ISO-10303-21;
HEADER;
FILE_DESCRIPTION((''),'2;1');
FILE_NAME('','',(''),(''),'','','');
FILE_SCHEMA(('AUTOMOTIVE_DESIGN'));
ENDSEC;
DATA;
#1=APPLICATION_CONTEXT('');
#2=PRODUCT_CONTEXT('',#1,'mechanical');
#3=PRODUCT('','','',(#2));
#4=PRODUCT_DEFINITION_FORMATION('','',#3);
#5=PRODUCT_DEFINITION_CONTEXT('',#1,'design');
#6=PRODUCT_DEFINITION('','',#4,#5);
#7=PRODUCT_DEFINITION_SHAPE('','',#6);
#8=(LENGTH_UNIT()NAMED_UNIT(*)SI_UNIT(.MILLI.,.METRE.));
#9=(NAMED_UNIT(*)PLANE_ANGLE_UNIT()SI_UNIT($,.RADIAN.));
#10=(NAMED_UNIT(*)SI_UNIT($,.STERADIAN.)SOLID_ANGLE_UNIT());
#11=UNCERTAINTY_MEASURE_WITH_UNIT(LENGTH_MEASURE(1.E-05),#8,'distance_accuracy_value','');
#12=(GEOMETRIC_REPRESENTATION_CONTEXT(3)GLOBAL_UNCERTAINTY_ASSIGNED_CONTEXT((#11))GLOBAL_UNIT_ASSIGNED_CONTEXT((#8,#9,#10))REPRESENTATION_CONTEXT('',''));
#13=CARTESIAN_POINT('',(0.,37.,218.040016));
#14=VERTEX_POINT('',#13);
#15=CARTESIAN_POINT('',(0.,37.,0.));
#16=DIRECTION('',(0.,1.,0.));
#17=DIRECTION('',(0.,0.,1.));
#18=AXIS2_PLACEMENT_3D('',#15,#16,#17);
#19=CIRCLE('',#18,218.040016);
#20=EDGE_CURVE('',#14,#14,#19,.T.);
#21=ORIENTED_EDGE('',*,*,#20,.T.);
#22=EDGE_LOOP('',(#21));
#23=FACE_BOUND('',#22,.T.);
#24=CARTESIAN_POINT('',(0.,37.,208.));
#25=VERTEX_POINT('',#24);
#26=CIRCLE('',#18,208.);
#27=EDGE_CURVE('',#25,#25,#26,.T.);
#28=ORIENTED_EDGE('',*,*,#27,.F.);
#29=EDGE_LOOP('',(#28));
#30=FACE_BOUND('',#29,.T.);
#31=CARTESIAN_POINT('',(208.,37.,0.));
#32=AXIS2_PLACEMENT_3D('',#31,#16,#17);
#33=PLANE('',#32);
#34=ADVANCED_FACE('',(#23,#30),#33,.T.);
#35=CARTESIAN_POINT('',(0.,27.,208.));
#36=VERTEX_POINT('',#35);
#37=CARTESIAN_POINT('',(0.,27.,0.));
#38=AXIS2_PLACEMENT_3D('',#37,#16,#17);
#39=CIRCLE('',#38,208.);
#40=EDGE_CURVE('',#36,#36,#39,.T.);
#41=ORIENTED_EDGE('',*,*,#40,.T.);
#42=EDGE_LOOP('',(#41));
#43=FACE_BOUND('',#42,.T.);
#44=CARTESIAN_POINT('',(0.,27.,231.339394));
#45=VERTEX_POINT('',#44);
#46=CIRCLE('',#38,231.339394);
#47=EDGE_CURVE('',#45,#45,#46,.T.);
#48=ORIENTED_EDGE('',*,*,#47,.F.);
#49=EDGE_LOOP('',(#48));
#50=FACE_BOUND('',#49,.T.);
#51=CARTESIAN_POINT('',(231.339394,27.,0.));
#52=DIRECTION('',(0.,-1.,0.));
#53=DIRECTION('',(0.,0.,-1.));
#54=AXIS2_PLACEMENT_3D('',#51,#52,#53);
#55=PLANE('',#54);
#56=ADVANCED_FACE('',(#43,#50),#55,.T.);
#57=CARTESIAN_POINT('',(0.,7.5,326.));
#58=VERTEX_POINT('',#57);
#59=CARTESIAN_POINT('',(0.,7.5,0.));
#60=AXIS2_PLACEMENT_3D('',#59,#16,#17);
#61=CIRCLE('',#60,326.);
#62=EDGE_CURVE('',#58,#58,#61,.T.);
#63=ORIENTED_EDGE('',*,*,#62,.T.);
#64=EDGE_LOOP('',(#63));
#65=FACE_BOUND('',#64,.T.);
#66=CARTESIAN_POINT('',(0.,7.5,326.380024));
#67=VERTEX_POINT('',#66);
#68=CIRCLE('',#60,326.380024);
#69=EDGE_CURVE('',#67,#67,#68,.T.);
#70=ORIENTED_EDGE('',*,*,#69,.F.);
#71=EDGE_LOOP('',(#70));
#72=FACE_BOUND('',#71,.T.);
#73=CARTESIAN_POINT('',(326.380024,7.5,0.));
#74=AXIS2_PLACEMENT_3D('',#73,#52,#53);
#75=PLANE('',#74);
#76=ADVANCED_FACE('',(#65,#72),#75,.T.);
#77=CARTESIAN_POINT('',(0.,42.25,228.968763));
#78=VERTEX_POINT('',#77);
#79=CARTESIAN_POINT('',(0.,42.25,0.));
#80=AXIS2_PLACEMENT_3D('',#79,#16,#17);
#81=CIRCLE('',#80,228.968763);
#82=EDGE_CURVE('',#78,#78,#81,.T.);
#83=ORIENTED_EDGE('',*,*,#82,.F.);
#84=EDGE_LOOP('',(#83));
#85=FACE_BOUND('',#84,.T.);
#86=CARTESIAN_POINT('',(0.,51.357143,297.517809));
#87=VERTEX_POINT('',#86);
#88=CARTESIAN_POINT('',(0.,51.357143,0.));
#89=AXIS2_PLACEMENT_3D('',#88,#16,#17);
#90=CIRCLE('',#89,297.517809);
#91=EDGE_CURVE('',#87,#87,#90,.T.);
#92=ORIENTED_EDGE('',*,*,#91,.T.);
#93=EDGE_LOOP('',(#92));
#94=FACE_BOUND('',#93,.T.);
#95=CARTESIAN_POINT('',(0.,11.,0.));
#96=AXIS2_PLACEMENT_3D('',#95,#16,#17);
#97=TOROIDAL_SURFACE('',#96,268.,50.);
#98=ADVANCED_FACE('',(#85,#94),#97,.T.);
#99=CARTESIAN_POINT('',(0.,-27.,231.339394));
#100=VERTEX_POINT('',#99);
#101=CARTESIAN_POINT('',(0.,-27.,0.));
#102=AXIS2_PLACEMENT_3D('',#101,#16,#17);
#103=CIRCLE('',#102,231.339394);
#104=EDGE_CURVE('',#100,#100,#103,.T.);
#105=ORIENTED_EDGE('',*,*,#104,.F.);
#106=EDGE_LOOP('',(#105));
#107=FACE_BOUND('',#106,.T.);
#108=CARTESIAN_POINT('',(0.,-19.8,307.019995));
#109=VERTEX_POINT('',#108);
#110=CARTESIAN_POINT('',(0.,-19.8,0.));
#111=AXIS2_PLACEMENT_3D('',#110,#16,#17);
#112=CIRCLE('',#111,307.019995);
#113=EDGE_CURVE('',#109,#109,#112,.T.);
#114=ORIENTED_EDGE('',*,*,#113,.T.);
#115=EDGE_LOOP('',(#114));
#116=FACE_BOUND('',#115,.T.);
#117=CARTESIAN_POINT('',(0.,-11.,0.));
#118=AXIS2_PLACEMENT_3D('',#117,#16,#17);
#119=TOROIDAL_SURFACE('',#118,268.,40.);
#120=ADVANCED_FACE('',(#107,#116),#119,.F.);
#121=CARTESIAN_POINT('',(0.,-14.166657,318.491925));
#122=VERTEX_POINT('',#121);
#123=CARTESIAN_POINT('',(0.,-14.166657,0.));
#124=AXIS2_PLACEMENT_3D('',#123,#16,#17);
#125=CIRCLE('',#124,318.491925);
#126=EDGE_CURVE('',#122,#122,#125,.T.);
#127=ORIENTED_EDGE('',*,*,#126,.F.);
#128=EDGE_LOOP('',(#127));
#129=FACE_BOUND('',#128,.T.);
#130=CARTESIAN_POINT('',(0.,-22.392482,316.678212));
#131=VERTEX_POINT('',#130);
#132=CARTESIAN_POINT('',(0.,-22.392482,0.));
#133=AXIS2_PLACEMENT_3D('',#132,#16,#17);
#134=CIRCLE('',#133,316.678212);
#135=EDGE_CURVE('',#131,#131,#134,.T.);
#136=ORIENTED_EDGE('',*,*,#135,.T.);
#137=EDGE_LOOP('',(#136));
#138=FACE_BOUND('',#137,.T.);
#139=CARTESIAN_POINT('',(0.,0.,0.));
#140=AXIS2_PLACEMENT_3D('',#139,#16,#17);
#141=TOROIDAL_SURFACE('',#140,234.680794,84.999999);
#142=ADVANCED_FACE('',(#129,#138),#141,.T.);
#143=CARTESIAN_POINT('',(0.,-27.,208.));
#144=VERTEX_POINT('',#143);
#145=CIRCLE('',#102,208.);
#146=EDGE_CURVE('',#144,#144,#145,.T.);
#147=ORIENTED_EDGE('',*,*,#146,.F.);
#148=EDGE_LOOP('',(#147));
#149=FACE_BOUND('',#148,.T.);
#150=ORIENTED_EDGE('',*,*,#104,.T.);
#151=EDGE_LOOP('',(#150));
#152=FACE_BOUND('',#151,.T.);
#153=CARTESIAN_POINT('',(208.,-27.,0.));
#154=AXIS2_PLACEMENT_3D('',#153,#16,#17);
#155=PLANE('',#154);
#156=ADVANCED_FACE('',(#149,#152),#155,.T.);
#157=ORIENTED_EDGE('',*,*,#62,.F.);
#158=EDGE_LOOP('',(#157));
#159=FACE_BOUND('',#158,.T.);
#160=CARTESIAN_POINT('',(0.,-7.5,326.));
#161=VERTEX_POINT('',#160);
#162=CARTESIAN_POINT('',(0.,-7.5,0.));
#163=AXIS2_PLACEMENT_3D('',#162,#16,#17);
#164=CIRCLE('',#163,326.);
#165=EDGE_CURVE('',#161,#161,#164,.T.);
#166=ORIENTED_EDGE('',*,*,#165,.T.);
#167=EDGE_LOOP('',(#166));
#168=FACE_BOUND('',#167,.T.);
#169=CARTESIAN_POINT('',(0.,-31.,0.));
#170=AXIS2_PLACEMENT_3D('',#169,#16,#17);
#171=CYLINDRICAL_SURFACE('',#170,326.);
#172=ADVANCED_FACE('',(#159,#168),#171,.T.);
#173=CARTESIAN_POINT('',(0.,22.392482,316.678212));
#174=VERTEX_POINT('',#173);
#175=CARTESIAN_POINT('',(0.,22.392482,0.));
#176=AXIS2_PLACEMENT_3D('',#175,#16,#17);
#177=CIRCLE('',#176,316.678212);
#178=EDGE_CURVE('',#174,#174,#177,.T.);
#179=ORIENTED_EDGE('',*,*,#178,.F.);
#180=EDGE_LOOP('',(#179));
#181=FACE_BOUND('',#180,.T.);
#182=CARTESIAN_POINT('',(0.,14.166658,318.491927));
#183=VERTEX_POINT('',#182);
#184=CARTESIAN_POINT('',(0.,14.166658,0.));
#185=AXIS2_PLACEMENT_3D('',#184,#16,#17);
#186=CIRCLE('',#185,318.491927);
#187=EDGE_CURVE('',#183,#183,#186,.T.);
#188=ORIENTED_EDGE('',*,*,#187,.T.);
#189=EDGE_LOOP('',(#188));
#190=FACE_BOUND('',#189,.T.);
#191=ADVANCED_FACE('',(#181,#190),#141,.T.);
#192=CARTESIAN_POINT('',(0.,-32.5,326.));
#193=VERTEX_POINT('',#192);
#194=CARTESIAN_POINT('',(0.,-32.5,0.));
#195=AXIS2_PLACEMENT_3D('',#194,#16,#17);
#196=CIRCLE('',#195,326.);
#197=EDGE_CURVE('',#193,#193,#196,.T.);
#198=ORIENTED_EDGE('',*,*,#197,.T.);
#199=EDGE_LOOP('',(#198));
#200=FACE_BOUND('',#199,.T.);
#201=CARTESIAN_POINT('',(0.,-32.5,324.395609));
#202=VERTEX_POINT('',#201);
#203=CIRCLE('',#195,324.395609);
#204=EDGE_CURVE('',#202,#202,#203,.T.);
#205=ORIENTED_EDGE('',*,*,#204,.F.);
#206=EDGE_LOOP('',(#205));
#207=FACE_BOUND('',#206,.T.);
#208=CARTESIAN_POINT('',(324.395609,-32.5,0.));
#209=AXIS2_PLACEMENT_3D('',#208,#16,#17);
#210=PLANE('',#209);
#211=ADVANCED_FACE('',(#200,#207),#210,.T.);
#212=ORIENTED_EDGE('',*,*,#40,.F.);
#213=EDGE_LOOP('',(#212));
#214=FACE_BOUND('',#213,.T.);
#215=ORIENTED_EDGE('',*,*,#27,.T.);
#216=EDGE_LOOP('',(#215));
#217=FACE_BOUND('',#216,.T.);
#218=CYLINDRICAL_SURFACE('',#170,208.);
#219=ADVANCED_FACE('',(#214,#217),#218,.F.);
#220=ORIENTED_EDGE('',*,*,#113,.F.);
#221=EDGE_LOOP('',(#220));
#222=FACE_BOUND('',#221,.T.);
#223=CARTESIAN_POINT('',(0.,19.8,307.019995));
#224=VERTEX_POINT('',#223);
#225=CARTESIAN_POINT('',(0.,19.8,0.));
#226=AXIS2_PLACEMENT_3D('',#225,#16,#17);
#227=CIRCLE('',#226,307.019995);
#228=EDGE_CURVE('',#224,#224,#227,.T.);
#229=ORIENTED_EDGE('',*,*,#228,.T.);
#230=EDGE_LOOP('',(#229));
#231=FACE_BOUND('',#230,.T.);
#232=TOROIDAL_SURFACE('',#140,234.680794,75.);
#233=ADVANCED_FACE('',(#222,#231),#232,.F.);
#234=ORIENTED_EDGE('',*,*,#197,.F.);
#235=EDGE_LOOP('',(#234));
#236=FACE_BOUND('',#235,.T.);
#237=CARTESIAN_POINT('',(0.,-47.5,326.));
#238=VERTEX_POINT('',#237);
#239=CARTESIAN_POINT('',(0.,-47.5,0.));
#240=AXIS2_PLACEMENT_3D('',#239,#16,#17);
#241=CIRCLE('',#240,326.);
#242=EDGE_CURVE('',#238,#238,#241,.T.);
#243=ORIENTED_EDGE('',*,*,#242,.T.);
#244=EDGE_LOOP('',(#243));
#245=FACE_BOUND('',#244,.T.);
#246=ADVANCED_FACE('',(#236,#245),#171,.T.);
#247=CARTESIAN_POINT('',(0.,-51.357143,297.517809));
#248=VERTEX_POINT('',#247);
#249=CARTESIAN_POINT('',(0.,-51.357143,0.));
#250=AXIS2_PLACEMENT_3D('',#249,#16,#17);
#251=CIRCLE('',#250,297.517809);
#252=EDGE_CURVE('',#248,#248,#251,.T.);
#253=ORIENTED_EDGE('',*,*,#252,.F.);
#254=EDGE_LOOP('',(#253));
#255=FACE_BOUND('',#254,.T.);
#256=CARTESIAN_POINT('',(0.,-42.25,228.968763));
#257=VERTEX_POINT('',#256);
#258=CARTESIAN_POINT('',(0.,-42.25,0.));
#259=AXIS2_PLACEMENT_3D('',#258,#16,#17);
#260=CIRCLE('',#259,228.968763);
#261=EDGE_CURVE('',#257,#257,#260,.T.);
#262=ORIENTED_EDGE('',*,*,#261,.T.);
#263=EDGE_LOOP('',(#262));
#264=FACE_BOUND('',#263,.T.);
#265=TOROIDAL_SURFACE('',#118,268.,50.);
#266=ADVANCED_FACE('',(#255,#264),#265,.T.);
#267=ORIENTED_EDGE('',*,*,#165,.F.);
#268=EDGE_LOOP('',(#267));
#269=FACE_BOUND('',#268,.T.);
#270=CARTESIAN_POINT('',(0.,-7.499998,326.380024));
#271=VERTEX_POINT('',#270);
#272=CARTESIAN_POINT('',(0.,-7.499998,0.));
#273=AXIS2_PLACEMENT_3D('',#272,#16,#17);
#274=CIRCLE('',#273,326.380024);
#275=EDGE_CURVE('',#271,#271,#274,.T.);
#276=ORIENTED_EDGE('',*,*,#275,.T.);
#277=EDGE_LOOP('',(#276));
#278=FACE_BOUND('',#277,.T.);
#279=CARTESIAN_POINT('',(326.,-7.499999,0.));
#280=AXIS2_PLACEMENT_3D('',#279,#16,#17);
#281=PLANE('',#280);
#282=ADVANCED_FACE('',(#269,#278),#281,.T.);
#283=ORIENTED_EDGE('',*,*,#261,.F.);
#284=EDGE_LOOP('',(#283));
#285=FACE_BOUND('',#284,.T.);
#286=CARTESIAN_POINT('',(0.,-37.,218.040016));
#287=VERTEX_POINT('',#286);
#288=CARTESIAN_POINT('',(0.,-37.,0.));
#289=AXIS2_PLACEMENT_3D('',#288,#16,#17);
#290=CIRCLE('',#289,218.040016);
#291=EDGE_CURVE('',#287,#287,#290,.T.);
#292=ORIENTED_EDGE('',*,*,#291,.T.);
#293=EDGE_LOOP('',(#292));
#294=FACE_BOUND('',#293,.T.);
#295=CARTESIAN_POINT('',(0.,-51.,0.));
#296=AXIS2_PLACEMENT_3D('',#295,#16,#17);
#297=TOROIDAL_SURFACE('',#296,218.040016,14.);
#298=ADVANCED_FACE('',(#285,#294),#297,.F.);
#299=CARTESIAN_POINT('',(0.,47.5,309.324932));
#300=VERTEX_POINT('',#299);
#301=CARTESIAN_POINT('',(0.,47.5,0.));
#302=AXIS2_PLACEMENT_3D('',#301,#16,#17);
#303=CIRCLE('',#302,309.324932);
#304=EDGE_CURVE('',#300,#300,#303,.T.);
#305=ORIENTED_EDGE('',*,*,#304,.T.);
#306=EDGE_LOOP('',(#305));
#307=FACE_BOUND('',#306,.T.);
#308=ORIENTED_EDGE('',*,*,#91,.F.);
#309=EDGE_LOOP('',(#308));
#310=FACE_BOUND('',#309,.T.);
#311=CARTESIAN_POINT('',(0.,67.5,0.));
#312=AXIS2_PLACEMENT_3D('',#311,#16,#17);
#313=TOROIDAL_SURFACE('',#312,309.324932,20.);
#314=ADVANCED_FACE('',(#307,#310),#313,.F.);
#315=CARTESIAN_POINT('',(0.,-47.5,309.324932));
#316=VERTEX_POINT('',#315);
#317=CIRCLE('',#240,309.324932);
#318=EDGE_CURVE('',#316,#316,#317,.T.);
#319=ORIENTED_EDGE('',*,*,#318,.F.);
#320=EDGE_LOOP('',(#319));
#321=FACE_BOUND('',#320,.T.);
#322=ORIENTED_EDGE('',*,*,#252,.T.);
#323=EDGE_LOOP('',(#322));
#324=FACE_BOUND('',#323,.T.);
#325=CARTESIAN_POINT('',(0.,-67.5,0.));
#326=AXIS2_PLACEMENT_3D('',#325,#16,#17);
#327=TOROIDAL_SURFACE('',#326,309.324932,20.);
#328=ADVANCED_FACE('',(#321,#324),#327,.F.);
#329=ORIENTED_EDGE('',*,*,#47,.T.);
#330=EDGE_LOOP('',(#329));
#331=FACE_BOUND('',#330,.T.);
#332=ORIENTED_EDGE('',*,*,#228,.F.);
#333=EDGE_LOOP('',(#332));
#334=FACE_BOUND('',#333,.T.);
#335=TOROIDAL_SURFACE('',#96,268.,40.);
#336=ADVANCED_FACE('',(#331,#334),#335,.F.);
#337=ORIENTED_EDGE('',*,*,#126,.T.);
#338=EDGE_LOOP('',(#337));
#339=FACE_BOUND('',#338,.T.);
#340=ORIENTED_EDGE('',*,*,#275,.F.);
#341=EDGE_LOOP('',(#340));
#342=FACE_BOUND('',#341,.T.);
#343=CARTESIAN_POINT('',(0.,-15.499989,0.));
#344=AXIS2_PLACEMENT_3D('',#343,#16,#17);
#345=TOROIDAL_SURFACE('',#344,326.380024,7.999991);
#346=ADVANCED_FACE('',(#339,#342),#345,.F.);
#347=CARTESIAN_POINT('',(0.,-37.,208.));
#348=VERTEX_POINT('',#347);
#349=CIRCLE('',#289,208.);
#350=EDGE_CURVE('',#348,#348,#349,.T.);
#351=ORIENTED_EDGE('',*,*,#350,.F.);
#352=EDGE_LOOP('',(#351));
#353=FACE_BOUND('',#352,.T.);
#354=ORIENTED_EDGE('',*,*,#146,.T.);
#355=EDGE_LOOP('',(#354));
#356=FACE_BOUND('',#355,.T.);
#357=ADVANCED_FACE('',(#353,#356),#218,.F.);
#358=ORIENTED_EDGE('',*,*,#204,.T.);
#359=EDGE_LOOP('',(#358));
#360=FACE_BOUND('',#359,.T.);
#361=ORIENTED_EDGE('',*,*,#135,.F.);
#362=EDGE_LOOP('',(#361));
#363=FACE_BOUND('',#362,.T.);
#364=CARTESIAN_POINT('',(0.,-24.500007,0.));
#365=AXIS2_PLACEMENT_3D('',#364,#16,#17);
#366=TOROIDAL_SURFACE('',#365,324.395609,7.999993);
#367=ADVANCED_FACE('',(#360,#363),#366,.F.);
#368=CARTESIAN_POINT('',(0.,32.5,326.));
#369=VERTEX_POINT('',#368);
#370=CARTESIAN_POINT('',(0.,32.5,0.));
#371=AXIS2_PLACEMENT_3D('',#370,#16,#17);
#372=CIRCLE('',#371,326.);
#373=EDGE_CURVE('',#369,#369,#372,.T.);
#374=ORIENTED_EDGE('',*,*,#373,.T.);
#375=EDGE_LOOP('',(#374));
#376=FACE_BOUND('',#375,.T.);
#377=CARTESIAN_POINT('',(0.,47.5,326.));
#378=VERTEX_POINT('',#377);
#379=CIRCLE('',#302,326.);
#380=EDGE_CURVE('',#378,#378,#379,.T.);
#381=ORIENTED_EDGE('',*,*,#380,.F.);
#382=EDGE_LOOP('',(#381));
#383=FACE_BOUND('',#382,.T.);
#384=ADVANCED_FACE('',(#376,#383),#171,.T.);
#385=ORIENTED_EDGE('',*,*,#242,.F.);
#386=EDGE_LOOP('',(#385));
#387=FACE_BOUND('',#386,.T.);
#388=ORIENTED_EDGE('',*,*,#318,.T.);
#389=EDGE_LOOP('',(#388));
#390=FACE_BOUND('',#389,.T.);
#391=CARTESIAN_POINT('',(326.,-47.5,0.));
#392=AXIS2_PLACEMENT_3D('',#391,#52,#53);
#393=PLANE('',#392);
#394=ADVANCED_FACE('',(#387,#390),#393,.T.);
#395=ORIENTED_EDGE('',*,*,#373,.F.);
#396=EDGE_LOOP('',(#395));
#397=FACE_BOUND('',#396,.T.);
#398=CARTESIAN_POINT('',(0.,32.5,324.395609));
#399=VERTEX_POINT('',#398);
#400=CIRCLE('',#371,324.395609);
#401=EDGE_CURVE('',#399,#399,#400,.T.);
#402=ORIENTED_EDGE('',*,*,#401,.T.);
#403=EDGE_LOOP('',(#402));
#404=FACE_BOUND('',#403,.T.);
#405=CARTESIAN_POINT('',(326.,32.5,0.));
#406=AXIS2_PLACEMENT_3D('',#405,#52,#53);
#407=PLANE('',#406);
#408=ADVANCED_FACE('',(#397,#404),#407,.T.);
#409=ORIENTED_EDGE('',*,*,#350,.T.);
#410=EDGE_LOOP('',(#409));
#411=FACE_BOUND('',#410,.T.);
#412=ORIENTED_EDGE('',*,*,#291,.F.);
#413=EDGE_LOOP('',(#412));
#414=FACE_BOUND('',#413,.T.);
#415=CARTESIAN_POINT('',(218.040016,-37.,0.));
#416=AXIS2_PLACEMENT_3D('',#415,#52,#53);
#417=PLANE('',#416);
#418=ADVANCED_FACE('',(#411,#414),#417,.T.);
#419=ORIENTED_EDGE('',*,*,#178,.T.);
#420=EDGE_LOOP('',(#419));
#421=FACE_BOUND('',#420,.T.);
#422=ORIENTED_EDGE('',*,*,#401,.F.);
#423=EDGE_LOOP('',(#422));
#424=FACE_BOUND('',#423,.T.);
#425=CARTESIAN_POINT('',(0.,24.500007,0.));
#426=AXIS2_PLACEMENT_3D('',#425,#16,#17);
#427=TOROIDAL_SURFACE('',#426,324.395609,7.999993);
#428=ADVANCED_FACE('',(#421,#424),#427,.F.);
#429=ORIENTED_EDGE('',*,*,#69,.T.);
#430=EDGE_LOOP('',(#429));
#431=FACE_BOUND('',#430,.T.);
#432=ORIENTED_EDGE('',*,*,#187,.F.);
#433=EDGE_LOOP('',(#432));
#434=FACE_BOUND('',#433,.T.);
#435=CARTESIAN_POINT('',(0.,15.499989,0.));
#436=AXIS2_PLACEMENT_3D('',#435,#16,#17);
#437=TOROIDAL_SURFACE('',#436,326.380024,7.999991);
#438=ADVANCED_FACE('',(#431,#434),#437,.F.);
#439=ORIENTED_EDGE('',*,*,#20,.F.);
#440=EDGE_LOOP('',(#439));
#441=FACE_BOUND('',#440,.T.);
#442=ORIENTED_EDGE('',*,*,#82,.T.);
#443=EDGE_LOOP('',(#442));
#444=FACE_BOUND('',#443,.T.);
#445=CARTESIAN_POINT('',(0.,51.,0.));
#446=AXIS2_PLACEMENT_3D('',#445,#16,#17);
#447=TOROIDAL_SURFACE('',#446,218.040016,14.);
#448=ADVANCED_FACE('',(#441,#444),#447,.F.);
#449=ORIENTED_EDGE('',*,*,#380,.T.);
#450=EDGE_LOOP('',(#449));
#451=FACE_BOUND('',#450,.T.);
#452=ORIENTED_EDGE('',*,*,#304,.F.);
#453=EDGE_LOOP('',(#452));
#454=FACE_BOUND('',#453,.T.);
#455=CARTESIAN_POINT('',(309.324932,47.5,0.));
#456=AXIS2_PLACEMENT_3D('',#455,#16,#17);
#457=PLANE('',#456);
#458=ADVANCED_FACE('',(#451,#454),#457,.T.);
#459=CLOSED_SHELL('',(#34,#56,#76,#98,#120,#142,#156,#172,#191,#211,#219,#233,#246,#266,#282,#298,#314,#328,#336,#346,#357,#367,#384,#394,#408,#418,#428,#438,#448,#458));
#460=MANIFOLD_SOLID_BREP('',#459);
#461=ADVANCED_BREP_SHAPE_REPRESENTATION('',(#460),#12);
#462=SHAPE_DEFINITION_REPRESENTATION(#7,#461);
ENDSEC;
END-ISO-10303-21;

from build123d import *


with BuildPart() as part:
    # Sketch5 → Revolve2 (revolve)
    with BuildSketch(Plane(origin=(0, 433528.712964682, 0), x_dir=(-1, 0, 0), z_dir=(0, 0, -1))):
        with BuildLine():
            Line((-231.33939444, -433501.712964682), (-208, -433501.712964682))
            Line((-208, -433501.712964682), (-208, -433491.712964682))
            Line((-208, -433491.712964682), (-218.040016013, -433491.712964682))
            ThreePointArc((-218.040016013, -433491.712964682), (-224.102193839, -433490.332394146), (-228.96876251, -433486.462964682))
            ThreePointArc((-228.96876251, -433486.462964682), (-261.415066789, -433468.148474826), (-297.51780853, -433477.355821824))
            ThreePointArc((-297.51780853, -433477.355821824), (-303.114341908, -433480.224239532), (-309.324931942, -433481.212964682))
            Line((-309.324931942, -433481.212964682), (-326, -433481.212964682))
            Line((-326, -433481.212964682), (-326, -433496.212964682))
            Line((-326, -433496.212964682), (-324.39560936, -433496.212964682))
            ThreePointArc((-324.39560936, -433496.212964682), (-318.037147664, -433499.358078715), (-316.678212427, -433506.320482929))
            ThreePointArc((-316.678212427, -433506.320482929), (-317.687027604, -433510.410914239), (-318.491925053, -433514.546307383))
            ThreePointArc((-318.491925053, -433514.546307383), (-321.216050894, -433519.32307109), (-326.380024192, -433521.212964682))
            Line((-326.380024192, -433521.212964682), (-326, -433521.212964682))
            Line((-326, -433521.212964682), (-326, -433536.212964682))
            Line((-326, -433536.212964682), (-326.380024192, -433536.212964682))
            ThreePointArc((-326.380024192, -433536.212964682), (-321.216053475, -433538.102861326), (-318.491925053, -433542.87962198))
            ThreePointArc((-318.491925053, -433542.87962198), (-317.687027604, -433547.015015125), (-316.678212427, -433551.105446434))
            ThreePointArc((-316.678212427, -433551.105446434), (-318.037147664, -433558.067850648), (-324.39560936, -433561.212964682))
            Line((-324.39560936, -433561.212964682), (-326, -433561.212964682))
            Line((-326, -433561.212964682), (-326, -433576.212964682))
            Line((-326, -433576.212964682), (-309.324931942, -433576.212964682))
            ThreePointArc((-309.324931942, -433576.212964682), (-303.114341908, -433577.201689831), (-297.51780853, -433580.070107539))
            ThreePointArc((-297.51780853, -433580.070107539), (-261.415066789, -433589.277454537), (-228.96876251, -433570.962964682))
            ThreePointArc((-228.96876251, -433570.962964682), (-224.102193839, -433567.093535217), (-218.040016013, -433565.712964682))
            Line((-218.040016013, -433565.712964682), (-208, -433565.712964682))
            Line((-208, -433565.712964682), (-208, -433555.712964682))
            Line((-208, -433555.712964682), (-231.33939444, -433555.712964682))
            ThreePointArc((-231.33939444, -433555.712964682), (-271.788361055, -433579.533164587), (-307.019994874, -433548.512964682))
            ThreePointArc((-307.019994874, -433548.512964682), (-309.680793884, -433528.712964682), (-307.019994874, -433508.912964682))
            ThreePointArc((-307.019994874, -433508.912964682), (-271.788361055, -433477.892764776), (-231.33939444, -433501.712964682))
        make_face()
    revolve(axis=Axis((0, -31, 0), (0, 1, 0)))


solid = part.part
